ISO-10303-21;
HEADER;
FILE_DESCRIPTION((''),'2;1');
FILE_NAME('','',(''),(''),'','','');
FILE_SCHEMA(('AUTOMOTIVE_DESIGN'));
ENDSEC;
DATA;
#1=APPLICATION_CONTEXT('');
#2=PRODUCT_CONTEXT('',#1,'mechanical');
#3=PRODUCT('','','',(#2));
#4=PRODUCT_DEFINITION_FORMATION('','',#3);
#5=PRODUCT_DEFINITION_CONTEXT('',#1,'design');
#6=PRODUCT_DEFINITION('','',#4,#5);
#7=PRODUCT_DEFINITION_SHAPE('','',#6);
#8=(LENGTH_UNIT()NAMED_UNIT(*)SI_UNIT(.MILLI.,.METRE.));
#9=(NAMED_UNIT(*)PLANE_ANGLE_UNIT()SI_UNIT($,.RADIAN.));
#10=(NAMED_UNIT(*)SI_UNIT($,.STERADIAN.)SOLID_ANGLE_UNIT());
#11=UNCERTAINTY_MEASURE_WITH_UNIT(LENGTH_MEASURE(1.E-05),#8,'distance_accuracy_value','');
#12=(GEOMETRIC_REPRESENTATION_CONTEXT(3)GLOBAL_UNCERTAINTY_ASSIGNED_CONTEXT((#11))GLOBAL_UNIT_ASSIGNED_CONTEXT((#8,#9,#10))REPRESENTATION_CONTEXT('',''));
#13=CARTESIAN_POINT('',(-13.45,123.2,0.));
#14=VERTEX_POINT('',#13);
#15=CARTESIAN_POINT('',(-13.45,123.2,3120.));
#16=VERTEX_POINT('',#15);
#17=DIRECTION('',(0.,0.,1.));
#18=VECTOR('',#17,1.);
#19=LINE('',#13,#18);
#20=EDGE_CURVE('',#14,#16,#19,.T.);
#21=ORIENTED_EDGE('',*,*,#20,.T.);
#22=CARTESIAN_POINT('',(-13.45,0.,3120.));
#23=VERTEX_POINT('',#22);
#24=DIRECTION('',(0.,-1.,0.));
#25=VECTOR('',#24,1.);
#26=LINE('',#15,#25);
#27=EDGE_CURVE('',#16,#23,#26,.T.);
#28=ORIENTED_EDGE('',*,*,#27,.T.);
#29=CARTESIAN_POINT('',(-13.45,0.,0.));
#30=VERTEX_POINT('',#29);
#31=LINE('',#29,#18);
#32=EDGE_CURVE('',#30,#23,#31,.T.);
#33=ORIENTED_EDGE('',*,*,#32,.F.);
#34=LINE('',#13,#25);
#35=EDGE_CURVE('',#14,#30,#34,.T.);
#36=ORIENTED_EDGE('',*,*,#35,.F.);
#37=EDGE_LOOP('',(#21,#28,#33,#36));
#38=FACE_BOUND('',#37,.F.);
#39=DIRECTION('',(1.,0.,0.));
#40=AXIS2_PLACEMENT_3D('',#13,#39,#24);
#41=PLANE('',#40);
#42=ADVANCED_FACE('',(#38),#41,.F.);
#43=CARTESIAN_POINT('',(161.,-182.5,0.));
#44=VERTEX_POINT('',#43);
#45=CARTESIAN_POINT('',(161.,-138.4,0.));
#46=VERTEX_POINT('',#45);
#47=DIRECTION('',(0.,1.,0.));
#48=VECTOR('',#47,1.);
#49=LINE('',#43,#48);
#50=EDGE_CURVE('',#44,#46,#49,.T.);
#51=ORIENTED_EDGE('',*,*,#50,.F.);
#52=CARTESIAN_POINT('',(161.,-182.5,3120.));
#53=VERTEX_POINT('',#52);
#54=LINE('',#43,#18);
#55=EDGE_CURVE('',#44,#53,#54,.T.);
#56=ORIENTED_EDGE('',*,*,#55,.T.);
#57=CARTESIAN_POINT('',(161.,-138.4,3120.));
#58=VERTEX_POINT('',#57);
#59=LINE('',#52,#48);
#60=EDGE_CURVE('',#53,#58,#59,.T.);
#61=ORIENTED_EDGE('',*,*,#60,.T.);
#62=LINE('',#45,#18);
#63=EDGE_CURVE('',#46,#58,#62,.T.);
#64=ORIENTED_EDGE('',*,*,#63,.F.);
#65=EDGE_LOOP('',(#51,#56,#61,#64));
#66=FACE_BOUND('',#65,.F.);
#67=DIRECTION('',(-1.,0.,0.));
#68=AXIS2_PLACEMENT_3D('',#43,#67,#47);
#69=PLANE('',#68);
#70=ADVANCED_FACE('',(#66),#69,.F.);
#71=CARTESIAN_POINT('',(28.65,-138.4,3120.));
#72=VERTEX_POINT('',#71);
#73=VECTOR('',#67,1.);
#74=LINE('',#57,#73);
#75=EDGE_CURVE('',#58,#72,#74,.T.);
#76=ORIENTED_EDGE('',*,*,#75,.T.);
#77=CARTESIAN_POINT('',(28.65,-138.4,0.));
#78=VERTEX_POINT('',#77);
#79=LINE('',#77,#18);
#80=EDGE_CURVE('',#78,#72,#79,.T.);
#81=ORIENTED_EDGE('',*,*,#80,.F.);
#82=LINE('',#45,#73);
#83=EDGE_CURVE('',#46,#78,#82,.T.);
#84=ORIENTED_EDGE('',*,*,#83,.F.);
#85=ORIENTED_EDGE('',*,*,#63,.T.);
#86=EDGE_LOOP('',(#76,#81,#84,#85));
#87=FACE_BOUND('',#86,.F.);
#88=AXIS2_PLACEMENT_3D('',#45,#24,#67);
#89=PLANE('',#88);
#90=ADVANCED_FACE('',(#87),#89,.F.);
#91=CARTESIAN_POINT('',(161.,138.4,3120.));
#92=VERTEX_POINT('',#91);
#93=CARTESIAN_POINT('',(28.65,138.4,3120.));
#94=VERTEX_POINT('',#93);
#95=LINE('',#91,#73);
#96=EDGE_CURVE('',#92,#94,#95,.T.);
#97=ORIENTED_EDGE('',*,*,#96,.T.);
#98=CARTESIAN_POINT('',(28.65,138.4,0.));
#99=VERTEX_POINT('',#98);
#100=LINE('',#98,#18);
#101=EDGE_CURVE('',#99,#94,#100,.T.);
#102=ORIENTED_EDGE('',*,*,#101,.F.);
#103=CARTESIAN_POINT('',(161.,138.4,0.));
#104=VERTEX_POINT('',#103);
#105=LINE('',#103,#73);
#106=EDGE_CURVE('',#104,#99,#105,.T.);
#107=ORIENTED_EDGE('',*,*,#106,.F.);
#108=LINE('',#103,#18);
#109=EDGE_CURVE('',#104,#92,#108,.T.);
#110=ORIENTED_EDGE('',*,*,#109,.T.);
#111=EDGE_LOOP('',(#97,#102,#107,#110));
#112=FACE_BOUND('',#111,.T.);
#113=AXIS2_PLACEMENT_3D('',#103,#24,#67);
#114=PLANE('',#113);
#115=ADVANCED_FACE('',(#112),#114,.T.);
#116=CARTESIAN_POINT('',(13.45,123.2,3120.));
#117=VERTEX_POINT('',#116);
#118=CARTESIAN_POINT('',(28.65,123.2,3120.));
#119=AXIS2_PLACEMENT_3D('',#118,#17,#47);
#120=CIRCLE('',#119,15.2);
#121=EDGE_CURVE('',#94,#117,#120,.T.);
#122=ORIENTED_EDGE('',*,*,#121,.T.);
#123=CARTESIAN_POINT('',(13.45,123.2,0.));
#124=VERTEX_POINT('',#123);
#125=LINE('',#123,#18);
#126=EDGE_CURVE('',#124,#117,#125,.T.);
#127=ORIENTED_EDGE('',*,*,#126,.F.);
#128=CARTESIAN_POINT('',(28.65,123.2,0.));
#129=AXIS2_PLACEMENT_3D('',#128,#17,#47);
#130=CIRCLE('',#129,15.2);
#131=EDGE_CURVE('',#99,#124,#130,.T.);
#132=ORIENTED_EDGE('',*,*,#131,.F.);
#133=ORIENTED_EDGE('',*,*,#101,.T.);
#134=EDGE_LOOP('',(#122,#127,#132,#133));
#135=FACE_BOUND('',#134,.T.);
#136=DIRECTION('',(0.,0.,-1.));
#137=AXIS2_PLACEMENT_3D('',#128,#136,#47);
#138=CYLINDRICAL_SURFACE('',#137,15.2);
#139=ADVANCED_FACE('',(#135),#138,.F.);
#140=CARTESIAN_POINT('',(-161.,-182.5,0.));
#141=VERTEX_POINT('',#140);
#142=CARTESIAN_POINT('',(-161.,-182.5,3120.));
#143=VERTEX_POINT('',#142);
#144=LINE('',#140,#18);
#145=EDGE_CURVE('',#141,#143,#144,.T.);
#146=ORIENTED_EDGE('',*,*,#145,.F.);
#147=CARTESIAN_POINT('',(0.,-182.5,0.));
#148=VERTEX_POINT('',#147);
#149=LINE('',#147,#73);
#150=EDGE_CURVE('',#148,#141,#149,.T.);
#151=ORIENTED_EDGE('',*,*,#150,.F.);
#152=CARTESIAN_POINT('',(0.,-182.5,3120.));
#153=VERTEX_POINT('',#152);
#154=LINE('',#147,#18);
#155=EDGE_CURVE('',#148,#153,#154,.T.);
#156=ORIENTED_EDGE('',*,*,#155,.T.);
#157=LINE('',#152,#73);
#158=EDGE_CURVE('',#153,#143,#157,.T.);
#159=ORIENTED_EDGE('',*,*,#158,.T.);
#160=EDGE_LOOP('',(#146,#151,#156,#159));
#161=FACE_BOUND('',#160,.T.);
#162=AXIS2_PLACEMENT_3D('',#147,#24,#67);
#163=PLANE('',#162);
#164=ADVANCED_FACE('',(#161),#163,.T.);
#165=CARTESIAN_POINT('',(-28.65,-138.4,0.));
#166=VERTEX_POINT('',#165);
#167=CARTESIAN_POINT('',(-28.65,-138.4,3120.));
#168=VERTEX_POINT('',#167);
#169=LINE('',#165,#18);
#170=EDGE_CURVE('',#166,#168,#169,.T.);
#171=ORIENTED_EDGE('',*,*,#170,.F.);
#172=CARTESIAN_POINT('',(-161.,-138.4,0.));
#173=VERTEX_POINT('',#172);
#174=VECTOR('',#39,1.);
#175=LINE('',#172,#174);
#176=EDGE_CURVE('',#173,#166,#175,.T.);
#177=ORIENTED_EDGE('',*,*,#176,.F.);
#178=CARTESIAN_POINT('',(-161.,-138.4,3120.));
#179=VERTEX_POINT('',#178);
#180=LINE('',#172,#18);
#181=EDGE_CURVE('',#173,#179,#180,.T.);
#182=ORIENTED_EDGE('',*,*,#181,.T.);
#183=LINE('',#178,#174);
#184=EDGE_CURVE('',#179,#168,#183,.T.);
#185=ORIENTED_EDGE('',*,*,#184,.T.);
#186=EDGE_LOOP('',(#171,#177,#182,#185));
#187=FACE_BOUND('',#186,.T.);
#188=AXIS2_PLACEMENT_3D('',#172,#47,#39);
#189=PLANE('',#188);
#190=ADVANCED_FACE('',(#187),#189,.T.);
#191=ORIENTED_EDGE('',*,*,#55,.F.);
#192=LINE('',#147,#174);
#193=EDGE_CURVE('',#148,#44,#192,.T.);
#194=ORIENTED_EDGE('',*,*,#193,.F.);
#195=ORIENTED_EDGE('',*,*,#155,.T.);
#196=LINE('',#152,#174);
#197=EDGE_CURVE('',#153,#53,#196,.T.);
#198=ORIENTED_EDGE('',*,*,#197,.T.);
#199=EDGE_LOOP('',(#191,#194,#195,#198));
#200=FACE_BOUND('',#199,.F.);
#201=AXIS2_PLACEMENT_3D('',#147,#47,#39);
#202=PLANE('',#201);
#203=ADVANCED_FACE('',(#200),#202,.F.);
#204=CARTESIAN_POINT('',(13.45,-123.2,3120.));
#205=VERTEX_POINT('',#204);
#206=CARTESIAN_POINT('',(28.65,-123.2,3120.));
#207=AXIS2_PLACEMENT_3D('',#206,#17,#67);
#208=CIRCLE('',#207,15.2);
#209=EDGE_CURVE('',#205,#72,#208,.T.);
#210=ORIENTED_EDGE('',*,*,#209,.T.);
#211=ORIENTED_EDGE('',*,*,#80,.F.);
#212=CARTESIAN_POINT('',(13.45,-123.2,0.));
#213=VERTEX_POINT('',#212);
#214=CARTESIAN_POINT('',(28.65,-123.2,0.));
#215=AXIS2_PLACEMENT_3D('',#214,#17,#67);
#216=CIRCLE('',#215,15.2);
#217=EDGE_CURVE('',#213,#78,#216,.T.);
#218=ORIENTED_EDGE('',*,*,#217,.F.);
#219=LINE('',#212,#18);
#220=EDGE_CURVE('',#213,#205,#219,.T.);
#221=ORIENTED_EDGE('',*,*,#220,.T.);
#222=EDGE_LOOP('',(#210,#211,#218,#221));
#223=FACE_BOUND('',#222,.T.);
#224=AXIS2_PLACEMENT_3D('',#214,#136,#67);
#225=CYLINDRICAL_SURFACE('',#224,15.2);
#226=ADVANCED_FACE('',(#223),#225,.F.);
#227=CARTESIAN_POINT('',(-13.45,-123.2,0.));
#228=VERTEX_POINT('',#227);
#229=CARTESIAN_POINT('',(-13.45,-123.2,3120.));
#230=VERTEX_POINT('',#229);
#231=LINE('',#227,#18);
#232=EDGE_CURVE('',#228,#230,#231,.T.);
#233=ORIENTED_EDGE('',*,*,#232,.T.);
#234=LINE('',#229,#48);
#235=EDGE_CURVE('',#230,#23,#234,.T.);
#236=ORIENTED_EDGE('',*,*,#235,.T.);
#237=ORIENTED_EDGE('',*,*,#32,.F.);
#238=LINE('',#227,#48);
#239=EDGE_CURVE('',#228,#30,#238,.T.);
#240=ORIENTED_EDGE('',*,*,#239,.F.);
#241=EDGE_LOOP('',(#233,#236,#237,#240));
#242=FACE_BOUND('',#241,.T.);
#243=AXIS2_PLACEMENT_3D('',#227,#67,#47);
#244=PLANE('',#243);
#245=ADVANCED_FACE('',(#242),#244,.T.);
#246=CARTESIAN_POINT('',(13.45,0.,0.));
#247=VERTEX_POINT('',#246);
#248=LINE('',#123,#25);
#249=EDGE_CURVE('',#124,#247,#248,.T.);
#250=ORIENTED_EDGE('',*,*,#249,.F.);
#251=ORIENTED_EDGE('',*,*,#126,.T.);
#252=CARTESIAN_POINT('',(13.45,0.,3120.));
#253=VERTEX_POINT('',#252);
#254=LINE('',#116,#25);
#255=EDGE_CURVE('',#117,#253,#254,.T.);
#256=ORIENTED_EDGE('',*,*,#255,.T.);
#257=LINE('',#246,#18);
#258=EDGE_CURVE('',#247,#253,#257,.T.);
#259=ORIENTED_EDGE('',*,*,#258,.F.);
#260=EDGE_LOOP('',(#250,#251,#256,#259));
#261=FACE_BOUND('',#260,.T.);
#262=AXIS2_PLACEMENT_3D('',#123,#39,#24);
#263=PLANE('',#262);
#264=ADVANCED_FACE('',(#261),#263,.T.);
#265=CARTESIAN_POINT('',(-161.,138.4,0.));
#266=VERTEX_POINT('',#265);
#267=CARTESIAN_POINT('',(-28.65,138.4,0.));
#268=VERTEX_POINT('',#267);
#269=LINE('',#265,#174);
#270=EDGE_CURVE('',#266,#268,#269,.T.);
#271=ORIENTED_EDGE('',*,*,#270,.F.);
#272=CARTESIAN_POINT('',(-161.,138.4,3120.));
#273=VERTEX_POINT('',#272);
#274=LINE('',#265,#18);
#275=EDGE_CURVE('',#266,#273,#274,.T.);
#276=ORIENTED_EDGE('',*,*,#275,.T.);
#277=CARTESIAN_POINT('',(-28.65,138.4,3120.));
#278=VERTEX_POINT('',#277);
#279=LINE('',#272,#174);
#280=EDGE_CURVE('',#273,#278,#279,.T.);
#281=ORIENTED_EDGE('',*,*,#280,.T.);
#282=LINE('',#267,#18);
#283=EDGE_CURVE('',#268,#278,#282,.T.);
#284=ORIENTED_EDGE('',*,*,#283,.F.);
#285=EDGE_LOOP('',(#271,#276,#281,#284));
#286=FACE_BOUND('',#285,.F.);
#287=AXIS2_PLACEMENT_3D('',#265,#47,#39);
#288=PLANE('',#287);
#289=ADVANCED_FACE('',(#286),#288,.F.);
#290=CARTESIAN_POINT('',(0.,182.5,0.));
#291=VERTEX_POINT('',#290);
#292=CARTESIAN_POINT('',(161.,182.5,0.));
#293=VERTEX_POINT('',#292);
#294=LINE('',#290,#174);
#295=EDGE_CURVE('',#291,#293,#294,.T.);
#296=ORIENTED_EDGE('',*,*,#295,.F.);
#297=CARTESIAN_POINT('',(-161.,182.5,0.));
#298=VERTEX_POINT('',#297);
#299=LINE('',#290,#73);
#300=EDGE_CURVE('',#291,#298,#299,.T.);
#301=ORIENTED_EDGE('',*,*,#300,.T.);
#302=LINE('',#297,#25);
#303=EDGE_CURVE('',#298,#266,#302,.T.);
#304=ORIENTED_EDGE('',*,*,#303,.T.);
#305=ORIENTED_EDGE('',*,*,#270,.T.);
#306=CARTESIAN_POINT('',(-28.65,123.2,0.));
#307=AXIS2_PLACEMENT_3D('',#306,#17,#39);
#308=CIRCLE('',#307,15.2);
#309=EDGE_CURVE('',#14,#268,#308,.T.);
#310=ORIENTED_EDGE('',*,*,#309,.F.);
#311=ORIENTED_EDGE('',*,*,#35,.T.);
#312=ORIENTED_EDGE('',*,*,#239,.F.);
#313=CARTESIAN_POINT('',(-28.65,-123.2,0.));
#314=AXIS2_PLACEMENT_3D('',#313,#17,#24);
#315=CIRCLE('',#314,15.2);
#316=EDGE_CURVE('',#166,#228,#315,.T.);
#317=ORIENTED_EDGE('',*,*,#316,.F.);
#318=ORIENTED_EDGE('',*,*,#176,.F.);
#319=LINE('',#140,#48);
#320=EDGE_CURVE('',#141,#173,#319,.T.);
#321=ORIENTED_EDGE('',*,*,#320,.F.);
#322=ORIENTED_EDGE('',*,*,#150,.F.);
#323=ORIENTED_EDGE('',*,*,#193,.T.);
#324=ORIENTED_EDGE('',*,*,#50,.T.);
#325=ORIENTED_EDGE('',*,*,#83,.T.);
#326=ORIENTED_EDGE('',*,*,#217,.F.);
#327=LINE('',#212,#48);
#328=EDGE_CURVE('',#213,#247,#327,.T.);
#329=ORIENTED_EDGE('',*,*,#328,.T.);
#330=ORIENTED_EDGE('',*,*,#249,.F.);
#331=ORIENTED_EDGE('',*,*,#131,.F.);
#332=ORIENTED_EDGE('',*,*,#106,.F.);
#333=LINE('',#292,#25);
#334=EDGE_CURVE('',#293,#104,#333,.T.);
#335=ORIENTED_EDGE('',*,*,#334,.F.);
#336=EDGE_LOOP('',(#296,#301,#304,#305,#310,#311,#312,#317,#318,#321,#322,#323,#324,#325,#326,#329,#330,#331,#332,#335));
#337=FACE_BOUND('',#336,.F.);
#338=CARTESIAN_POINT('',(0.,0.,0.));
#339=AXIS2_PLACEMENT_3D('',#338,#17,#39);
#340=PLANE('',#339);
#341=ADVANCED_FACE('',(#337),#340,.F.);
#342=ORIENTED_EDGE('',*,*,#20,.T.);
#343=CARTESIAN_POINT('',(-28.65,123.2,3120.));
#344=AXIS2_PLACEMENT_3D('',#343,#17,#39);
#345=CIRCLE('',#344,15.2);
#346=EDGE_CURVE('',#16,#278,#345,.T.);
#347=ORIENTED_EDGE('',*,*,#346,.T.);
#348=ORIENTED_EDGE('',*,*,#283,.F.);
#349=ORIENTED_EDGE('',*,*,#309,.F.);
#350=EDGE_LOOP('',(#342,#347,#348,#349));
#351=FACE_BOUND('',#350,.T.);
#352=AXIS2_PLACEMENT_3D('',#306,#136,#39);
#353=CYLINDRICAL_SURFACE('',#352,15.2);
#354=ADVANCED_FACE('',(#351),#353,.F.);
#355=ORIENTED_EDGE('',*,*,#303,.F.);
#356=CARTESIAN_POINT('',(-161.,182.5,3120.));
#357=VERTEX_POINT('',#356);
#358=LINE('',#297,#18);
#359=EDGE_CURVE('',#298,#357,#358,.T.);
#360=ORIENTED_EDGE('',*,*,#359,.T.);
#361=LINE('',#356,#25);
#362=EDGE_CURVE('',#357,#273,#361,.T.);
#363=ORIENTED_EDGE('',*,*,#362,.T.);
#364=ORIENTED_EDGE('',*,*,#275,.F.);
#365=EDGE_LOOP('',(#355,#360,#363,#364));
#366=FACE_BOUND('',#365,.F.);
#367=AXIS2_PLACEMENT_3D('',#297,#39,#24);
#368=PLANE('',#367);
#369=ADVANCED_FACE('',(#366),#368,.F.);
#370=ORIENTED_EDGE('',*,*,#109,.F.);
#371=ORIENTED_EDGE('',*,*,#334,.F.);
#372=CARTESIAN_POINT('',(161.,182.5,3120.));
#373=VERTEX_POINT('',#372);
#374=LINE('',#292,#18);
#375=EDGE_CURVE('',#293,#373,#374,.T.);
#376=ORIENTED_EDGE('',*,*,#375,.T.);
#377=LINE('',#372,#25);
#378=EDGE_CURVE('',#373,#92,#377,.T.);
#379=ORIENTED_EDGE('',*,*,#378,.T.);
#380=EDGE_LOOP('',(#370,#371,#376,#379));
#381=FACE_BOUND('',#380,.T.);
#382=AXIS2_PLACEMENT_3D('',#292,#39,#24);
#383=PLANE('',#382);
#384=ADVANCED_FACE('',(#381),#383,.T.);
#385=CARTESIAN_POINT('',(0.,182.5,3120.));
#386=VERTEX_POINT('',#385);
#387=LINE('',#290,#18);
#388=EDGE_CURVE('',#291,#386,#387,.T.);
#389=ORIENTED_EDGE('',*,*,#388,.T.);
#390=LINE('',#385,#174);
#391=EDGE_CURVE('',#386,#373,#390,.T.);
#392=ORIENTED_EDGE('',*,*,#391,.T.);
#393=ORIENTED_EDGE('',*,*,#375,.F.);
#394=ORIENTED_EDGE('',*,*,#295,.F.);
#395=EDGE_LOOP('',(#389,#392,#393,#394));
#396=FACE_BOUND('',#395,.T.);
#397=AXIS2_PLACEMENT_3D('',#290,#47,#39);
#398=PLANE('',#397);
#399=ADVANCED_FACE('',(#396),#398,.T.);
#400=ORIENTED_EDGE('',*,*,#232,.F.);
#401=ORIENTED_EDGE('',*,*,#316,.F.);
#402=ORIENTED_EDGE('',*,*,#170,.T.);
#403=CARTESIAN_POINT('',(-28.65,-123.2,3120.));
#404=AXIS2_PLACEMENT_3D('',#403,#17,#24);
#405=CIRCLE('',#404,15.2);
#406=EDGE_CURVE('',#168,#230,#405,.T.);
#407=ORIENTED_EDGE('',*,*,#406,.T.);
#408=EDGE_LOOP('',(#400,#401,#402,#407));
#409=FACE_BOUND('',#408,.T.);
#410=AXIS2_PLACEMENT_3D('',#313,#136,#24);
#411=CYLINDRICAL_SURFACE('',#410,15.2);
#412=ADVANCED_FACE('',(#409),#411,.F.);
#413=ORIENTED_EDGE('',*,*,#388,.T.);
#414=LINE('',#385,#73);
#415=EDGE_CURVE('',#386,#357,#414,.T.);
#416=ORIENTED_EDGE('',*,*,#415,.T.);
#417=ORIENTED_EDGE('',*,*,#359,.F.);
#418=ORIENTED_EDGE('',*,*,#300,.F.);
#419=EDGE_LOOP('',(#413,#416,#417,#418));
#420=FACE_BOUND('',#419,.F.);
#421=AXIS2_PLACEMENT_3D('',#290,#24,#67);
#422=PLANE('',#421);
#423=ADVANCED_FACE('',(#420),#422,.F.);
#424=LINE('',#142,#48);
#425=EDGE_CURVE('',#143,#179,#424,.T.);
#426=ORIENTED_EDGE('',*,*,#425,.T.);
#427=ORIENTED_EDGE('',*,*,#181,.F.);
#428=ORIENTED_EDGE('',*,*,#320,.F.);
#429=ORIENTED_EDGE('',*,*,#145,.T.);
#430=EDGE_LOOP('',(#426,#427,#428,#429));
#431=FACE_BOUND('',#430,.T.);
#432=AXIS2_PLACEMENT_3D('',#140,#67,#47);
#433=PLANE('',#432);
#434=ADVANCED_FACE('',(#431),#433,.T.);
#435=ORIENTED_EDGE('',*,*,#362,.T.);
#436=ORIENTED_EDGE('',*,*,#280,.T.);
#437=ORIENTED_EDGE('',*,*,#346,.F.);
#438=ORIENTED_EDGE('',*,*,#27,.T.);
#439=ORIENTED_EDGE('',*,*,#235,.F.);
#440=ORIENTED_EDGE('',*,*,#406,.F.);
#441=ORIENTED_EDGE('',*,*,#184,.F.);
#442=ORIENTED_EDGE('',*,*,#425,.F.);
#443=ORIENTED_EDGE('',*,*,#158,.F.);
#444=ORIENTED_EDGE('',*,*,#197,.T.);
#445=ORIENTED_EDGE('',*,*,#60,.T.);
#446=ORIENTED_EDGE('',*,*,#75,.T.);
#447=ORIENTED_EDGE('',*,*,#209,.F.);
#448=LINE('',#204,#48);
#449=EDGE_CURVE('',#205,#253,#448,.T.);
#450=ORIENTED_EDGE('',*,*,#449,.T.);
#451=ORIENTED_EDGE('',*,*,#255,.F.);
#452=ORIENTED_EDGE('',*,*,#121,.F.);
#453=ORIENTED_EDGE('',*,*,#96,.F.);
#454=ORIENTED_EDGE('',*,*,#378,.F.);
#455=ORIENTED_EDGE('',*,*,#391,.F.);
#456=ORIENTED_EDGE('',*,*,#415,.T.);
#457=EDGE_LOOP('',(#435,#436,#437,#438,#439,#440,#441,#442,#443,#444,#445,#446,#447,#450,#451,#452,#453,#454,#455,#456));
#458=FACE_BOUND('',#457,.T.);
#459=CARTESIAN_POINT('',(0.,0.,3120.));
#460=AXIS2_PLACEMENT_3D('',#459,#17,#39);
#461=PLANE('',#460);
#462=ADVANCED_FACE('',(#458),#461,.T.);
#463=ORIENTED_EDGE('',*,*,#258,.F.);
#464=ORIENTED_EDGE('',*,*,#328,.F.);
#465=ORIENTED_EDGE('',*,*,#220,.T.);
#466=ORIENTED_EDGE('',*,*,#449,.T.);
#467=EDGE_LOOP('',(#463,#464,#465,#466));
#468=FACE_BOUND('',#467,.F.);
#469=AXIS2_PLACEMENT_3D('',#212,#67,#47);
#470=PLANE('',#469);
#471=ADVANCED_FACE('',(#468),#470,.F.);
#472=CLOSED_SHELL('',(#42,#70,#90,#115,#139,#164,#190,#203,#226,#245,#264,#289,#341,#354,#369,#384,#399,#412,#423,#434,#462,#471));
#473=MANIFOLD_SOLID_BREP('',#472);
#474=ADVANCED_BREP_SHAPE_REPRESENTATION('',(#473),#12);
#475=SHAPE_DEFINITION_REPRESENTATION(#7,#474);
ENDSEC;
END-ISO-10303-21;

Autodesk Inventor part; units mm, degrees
ref_plane "YZ Plane" through (0, 0, 0) normal (1, 0, 0) x (0, 1, 0)
ref_plane "Start plane" through (0, 0, 0) normal (0, 0, 1) x (1, 0, 0)
ref_plane "End plane" through (0, 0, 3120) normal (0, 0, 1) x (1, 0, 0)
sketch "Sketch" plane through (0, 0, 0) normal (0, 0, 1) x (1, 0, 0)
  line L0 (-161, -182.5) -> (-161, -138.4)
  line L1 (-161, -138.4) -> (-28.65, -138.4)
  line L2 (-13.45, -123.2) -> (-13.45, 0)
  line L3 (-13.45, 0) -> (0, 0) construction
  line L4 (0, 0) -> (0, -182.5) construction
  line L5 (0, -182.5) -> (-161, -182.5)
  line L6 (-60, 0) -> (80, 0) construction
  line L7 (0, -60) -> (0, 80) construction
  line L8 (161, -182.5) -> (161, -138.4)
  line L9 (161, -138.4) -> (28.65, -138.4)
  line L10 (13.45, -123.2) -> (13.45, 0)
  line L11 (13.45, 0) -> (0, 0) construction
  line L12 (0, -182.5) -> (161, -182.5)
  line L13 (-161, 182.5) -> (-161, 138.4)
  line L14 (-161, 138.4) -> (-28.65, 138.4)
  line L15 (-13.45, 123.2) -> (-13.45, 0)
  line L16 (0, 182.5) -> (-161, 182.5)
  line L17 (161, 182.5) -> (161, 138.4)
  line L18 (161, 138.4) -> (28.65, 138.4)
  line L19 (0, 182.5) -> (161, 182.5)
  line L20 (13.45, 123.2) -> (13.45, 0)
  arc A0 (-13.45, 123.2) -> (-28.65, 138.4) centre (-28.65, 123.2) ccw
  arc A1 (28.65, 138.4) -> (13.45, 123.2) centre (28.65, 123.2) ccw
  arc A2 (13.45, -123.2) -> (28.65, -138.4) centre (28.65, -123.2) ccw
  arc A3 (-28.65, -138.4) -> (-13.45, -123.2) centre (-28.65, -123.2) ccw
  line L21 (0, 108) -> (0, -88) construction
  line L22 (-88, 0) -> (108, 0) construction
  point P0 (-13.45, -138.4)
  point P1 (13.45, -138.4)
  point P2 (-13.45, 138.4)
  point P3 (13.45, 138.4)
  dimension "d1" = 182.5
  dimension "d2" = 44.1
  dimension "d3" = 161
  dimension "d4" = 13.45
  dimension "d10" = 15.2
extrude "Body" add sketch "Sketch" along normal up to surface (3120 mm away) from surface at 0
sketch "Sketch4" plane through (0, 0, 0) normal (0, 0, 1) x (1, 0, 0)
  line L0 (0, 0) -> (10, 0)
ref_plane "Work Plane3" through (0, 0, 0) normal (0, -1, 0) x (1, 0, 0)
sketch "Sketch5" plane through (0, 0, 0) normal (0, -1, 0) x (1, 0, 0)
  line L0 (-2, 0) -> (12, 0) projected
  line L1 (-2, 3120) -> (12, 3120) projected
  dimension "d14" = 3120
equation "\"d1\" = 0.5 * G_H"
equation "\"d2\" = G_T1"
equation "\"d3\" = 0.5 * G_W"
equation "\"d4\" = 0.5 * G_T"
equation "\"d10\" = G_IR"
equation "\"d5\" = G_L"
equation "\"G_W\" = 322"
equation "\"G_H\" = 365"
equation "\"G_T\" = 26.9"
equation "\"G_T1\" = 44.1"
equation "\"G_IR\" = 15.2"
equation "\"G_L\" = d14"
equation "\"G_OFFSET_START\" = 0"
equation "\"G_OFFSET_END\" = 0"
properties part number "AS 3679 - 310 UC - 283 - 3120" material "Steel, Mild"
